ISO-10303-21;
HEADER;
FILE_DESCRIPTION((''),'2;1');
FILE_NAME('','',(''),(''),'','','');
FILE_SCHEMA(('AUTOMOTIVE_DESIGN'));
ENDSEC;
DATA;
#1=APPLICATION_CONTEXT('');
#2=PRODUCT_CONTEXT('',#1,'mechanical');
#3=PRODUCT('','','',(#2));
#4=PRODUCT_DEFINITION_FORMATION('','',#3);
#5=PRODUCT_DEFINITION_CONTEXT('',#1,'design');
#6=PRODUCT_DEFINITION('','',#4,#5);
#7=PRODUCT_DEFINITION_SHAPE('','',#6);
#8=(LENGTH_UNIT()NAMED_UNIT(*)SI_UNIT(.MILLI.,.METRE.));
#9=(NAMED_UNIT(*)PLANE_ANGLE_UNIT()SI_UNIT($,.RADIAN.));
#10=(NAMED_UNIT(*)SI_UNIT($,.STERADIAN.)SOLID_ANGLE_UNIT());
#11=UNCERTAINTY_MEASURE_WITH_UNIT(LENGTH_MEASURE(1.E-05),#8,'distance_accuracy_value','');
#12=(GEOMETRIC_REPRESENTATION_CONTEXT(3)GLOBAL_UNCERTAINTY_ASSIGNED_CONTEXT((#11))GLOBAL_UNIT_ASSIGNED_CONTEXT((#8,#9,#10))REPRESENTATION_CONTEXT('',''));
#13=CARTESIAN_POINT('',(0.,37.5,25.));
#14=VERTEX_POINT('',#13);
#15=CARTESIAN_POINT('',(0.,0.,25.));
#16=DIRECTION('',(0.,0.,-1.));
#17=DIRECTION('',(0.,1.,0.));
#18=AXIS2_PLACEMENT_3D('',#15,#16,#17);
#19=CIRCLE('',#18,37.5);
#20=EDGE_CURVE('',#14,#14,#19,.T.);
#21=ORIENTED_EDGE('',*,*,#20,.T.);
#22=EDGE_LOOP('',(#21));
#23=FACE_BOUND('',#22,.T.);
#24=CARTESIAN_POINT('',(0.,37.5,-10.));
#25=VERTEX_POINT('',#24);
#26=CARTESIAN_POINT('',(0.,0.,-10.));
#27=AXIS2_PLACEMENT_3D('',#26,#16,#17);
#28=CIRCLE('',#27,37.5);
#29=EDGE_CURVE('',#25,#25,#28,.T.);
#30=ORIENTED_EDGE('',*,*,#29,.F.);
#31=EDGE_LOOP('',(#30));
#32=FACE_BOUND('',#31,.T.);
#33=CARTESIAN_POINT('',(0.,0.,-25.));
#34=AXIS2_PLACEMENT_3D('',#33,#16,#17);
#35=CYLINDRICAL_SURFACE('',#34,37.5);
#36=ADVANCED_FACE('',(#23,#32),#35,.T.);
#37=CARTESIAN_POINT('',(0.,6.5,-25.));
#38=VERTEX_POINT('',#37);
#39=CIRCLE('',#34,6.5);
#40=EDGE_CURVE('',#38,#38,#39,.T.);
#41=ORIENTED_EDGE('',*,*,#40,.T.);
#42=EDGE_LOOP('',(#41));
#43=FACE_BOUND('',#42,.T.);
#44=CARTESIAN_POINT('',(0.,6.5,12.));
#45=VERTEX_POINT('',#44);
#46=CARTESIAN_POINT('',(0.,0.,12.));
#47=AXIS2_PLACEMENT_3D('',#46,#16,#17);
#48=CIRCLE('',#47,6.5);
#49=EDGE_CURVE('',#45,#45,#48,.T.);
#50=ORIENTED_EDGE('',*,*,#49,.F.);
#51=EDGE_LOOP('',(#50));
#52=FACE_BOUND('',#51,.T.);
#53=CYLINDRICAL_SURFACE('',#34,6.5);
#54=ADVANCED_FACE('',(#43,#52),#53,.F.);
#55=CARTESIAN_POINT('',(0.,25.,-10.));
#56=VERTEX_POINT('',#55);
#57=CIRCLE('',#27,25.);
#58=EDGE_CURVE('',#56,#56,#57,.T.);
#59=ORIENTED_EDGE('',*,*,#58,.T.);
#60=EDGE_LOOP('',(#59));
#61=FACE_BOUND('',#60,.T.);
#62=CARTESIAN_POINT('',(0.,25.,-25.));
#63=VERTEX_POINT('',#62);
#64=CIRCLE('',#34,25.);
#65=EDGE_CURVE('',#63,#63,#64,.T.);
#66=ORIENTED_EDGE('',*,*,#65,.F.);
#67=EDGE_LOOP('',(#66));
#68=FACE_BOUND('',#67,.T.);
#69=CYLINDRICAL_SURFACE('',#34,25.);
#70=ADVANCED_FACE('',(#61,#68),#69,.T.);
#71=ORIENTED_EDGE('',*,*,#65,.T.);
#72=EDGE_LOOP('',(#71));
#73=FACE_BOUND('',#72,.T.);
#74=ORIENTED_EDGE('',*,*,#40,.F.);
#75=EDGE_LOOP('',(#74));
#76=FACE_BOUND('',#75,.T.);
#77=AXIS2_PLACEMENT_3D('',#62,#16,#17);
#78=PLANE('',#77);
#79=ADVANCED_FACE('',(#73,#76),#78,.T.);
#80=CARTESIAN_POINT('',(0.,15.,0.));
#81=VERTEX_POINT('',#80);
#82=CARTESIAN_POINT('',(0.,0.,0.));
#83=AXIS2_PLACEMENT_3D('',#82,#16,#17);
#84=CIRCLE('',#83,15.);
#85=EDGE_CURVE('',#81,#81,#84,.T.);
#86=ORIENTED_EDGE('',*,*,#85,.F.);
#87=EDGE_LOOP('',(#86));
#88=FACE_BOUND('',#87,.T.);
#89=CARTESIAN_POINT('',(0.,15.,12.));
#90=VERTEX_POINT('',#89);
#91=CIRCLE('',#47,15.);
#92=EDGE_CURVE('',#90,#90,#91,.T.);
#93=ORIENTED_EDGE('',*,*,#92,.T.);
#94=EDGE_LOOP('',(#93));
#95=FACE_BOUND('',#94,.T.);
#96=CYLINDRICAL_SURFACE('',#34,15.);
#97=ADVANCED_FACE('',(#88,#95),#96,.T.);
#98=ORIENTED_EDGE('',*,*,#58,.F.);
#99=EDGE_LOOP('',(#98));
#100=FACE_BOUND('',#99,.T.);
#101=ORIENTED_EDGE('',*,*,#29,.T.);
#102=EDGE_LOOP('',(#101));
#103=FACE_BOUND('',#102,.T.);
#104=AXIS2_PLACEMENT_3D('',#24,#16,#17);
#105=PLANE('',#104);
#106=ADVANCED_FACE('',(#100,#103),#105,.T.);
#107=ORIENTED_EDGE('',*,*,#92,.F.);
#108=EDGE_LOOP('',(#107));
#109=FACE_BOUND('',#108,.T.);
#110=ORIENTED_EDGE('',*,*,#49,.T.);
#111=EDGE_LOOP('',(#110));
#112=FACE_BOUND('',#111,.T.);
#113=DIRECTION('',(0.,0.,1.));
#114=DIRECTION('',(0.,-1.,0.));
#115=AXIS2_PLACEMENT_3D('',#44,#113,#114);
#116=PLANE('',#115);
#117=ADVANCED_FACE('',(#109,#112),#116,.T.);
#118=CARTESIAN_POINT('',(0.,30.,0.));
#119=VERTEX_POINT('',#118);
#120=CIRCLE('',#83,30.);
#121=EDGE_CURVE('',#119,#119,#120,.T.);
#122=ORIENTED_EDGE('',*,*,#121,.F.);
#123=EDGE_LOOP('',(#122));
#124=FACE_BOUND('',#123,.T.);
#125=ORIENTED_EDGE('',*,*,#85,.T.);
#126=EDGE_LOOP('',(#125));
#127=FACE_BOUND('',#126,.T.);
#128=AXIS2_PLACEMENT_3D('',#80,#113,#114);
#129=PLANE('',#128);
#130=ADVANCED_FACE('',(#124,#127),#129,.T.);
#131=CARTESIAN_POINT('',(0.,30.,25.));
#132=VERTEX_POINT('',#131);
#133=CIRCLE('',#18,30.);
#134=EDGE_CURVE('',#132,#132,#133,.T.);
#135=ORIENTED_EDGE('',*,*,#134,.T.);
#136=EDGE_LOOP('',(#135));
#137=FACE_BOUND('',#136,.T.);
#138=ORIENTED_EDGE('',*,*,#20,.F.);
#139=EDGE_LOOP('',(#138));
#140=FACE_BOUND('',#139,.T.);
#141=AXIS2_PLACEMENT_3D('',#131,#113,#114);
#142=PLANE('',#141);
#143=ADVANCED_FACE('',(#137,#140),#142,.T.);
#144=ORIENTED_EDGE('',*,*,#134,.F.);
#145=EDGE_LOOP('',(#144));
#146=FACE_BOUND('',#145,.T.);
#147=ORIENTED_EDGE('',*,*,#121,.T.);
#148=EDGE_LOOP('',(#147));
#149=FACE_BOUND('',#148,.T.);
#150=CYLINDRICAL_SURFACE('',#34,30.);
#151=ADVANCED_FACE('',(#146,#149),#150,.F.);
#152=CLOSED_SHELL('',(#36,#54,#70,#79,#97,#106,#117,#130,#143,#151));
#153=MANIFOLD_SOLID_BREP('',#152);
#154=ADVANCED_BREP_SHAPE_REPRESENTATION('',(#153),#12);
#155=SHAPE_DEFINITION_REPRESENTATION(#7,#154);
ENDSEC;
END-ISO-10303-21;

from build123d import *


with BuildPart() as part:
    # Sketch2 → Revolve1 (revolve)
    with BuildSketch(Plane(origin=(0, 0, 0), x_dir=(0, 0, -1), z_dir=(1, 0, 0))):
        Polygon((-12, 6.5), (-12, 15), (0, 15), (0, 30), (-25, 30), (-25, 37.5), (10, 37.5), (10, 25), (25, 25), (25, 6.5), align=None)
    revolve(axis=Axis((0, 0, -25), (0, 0, 1)))


solid = part.part
